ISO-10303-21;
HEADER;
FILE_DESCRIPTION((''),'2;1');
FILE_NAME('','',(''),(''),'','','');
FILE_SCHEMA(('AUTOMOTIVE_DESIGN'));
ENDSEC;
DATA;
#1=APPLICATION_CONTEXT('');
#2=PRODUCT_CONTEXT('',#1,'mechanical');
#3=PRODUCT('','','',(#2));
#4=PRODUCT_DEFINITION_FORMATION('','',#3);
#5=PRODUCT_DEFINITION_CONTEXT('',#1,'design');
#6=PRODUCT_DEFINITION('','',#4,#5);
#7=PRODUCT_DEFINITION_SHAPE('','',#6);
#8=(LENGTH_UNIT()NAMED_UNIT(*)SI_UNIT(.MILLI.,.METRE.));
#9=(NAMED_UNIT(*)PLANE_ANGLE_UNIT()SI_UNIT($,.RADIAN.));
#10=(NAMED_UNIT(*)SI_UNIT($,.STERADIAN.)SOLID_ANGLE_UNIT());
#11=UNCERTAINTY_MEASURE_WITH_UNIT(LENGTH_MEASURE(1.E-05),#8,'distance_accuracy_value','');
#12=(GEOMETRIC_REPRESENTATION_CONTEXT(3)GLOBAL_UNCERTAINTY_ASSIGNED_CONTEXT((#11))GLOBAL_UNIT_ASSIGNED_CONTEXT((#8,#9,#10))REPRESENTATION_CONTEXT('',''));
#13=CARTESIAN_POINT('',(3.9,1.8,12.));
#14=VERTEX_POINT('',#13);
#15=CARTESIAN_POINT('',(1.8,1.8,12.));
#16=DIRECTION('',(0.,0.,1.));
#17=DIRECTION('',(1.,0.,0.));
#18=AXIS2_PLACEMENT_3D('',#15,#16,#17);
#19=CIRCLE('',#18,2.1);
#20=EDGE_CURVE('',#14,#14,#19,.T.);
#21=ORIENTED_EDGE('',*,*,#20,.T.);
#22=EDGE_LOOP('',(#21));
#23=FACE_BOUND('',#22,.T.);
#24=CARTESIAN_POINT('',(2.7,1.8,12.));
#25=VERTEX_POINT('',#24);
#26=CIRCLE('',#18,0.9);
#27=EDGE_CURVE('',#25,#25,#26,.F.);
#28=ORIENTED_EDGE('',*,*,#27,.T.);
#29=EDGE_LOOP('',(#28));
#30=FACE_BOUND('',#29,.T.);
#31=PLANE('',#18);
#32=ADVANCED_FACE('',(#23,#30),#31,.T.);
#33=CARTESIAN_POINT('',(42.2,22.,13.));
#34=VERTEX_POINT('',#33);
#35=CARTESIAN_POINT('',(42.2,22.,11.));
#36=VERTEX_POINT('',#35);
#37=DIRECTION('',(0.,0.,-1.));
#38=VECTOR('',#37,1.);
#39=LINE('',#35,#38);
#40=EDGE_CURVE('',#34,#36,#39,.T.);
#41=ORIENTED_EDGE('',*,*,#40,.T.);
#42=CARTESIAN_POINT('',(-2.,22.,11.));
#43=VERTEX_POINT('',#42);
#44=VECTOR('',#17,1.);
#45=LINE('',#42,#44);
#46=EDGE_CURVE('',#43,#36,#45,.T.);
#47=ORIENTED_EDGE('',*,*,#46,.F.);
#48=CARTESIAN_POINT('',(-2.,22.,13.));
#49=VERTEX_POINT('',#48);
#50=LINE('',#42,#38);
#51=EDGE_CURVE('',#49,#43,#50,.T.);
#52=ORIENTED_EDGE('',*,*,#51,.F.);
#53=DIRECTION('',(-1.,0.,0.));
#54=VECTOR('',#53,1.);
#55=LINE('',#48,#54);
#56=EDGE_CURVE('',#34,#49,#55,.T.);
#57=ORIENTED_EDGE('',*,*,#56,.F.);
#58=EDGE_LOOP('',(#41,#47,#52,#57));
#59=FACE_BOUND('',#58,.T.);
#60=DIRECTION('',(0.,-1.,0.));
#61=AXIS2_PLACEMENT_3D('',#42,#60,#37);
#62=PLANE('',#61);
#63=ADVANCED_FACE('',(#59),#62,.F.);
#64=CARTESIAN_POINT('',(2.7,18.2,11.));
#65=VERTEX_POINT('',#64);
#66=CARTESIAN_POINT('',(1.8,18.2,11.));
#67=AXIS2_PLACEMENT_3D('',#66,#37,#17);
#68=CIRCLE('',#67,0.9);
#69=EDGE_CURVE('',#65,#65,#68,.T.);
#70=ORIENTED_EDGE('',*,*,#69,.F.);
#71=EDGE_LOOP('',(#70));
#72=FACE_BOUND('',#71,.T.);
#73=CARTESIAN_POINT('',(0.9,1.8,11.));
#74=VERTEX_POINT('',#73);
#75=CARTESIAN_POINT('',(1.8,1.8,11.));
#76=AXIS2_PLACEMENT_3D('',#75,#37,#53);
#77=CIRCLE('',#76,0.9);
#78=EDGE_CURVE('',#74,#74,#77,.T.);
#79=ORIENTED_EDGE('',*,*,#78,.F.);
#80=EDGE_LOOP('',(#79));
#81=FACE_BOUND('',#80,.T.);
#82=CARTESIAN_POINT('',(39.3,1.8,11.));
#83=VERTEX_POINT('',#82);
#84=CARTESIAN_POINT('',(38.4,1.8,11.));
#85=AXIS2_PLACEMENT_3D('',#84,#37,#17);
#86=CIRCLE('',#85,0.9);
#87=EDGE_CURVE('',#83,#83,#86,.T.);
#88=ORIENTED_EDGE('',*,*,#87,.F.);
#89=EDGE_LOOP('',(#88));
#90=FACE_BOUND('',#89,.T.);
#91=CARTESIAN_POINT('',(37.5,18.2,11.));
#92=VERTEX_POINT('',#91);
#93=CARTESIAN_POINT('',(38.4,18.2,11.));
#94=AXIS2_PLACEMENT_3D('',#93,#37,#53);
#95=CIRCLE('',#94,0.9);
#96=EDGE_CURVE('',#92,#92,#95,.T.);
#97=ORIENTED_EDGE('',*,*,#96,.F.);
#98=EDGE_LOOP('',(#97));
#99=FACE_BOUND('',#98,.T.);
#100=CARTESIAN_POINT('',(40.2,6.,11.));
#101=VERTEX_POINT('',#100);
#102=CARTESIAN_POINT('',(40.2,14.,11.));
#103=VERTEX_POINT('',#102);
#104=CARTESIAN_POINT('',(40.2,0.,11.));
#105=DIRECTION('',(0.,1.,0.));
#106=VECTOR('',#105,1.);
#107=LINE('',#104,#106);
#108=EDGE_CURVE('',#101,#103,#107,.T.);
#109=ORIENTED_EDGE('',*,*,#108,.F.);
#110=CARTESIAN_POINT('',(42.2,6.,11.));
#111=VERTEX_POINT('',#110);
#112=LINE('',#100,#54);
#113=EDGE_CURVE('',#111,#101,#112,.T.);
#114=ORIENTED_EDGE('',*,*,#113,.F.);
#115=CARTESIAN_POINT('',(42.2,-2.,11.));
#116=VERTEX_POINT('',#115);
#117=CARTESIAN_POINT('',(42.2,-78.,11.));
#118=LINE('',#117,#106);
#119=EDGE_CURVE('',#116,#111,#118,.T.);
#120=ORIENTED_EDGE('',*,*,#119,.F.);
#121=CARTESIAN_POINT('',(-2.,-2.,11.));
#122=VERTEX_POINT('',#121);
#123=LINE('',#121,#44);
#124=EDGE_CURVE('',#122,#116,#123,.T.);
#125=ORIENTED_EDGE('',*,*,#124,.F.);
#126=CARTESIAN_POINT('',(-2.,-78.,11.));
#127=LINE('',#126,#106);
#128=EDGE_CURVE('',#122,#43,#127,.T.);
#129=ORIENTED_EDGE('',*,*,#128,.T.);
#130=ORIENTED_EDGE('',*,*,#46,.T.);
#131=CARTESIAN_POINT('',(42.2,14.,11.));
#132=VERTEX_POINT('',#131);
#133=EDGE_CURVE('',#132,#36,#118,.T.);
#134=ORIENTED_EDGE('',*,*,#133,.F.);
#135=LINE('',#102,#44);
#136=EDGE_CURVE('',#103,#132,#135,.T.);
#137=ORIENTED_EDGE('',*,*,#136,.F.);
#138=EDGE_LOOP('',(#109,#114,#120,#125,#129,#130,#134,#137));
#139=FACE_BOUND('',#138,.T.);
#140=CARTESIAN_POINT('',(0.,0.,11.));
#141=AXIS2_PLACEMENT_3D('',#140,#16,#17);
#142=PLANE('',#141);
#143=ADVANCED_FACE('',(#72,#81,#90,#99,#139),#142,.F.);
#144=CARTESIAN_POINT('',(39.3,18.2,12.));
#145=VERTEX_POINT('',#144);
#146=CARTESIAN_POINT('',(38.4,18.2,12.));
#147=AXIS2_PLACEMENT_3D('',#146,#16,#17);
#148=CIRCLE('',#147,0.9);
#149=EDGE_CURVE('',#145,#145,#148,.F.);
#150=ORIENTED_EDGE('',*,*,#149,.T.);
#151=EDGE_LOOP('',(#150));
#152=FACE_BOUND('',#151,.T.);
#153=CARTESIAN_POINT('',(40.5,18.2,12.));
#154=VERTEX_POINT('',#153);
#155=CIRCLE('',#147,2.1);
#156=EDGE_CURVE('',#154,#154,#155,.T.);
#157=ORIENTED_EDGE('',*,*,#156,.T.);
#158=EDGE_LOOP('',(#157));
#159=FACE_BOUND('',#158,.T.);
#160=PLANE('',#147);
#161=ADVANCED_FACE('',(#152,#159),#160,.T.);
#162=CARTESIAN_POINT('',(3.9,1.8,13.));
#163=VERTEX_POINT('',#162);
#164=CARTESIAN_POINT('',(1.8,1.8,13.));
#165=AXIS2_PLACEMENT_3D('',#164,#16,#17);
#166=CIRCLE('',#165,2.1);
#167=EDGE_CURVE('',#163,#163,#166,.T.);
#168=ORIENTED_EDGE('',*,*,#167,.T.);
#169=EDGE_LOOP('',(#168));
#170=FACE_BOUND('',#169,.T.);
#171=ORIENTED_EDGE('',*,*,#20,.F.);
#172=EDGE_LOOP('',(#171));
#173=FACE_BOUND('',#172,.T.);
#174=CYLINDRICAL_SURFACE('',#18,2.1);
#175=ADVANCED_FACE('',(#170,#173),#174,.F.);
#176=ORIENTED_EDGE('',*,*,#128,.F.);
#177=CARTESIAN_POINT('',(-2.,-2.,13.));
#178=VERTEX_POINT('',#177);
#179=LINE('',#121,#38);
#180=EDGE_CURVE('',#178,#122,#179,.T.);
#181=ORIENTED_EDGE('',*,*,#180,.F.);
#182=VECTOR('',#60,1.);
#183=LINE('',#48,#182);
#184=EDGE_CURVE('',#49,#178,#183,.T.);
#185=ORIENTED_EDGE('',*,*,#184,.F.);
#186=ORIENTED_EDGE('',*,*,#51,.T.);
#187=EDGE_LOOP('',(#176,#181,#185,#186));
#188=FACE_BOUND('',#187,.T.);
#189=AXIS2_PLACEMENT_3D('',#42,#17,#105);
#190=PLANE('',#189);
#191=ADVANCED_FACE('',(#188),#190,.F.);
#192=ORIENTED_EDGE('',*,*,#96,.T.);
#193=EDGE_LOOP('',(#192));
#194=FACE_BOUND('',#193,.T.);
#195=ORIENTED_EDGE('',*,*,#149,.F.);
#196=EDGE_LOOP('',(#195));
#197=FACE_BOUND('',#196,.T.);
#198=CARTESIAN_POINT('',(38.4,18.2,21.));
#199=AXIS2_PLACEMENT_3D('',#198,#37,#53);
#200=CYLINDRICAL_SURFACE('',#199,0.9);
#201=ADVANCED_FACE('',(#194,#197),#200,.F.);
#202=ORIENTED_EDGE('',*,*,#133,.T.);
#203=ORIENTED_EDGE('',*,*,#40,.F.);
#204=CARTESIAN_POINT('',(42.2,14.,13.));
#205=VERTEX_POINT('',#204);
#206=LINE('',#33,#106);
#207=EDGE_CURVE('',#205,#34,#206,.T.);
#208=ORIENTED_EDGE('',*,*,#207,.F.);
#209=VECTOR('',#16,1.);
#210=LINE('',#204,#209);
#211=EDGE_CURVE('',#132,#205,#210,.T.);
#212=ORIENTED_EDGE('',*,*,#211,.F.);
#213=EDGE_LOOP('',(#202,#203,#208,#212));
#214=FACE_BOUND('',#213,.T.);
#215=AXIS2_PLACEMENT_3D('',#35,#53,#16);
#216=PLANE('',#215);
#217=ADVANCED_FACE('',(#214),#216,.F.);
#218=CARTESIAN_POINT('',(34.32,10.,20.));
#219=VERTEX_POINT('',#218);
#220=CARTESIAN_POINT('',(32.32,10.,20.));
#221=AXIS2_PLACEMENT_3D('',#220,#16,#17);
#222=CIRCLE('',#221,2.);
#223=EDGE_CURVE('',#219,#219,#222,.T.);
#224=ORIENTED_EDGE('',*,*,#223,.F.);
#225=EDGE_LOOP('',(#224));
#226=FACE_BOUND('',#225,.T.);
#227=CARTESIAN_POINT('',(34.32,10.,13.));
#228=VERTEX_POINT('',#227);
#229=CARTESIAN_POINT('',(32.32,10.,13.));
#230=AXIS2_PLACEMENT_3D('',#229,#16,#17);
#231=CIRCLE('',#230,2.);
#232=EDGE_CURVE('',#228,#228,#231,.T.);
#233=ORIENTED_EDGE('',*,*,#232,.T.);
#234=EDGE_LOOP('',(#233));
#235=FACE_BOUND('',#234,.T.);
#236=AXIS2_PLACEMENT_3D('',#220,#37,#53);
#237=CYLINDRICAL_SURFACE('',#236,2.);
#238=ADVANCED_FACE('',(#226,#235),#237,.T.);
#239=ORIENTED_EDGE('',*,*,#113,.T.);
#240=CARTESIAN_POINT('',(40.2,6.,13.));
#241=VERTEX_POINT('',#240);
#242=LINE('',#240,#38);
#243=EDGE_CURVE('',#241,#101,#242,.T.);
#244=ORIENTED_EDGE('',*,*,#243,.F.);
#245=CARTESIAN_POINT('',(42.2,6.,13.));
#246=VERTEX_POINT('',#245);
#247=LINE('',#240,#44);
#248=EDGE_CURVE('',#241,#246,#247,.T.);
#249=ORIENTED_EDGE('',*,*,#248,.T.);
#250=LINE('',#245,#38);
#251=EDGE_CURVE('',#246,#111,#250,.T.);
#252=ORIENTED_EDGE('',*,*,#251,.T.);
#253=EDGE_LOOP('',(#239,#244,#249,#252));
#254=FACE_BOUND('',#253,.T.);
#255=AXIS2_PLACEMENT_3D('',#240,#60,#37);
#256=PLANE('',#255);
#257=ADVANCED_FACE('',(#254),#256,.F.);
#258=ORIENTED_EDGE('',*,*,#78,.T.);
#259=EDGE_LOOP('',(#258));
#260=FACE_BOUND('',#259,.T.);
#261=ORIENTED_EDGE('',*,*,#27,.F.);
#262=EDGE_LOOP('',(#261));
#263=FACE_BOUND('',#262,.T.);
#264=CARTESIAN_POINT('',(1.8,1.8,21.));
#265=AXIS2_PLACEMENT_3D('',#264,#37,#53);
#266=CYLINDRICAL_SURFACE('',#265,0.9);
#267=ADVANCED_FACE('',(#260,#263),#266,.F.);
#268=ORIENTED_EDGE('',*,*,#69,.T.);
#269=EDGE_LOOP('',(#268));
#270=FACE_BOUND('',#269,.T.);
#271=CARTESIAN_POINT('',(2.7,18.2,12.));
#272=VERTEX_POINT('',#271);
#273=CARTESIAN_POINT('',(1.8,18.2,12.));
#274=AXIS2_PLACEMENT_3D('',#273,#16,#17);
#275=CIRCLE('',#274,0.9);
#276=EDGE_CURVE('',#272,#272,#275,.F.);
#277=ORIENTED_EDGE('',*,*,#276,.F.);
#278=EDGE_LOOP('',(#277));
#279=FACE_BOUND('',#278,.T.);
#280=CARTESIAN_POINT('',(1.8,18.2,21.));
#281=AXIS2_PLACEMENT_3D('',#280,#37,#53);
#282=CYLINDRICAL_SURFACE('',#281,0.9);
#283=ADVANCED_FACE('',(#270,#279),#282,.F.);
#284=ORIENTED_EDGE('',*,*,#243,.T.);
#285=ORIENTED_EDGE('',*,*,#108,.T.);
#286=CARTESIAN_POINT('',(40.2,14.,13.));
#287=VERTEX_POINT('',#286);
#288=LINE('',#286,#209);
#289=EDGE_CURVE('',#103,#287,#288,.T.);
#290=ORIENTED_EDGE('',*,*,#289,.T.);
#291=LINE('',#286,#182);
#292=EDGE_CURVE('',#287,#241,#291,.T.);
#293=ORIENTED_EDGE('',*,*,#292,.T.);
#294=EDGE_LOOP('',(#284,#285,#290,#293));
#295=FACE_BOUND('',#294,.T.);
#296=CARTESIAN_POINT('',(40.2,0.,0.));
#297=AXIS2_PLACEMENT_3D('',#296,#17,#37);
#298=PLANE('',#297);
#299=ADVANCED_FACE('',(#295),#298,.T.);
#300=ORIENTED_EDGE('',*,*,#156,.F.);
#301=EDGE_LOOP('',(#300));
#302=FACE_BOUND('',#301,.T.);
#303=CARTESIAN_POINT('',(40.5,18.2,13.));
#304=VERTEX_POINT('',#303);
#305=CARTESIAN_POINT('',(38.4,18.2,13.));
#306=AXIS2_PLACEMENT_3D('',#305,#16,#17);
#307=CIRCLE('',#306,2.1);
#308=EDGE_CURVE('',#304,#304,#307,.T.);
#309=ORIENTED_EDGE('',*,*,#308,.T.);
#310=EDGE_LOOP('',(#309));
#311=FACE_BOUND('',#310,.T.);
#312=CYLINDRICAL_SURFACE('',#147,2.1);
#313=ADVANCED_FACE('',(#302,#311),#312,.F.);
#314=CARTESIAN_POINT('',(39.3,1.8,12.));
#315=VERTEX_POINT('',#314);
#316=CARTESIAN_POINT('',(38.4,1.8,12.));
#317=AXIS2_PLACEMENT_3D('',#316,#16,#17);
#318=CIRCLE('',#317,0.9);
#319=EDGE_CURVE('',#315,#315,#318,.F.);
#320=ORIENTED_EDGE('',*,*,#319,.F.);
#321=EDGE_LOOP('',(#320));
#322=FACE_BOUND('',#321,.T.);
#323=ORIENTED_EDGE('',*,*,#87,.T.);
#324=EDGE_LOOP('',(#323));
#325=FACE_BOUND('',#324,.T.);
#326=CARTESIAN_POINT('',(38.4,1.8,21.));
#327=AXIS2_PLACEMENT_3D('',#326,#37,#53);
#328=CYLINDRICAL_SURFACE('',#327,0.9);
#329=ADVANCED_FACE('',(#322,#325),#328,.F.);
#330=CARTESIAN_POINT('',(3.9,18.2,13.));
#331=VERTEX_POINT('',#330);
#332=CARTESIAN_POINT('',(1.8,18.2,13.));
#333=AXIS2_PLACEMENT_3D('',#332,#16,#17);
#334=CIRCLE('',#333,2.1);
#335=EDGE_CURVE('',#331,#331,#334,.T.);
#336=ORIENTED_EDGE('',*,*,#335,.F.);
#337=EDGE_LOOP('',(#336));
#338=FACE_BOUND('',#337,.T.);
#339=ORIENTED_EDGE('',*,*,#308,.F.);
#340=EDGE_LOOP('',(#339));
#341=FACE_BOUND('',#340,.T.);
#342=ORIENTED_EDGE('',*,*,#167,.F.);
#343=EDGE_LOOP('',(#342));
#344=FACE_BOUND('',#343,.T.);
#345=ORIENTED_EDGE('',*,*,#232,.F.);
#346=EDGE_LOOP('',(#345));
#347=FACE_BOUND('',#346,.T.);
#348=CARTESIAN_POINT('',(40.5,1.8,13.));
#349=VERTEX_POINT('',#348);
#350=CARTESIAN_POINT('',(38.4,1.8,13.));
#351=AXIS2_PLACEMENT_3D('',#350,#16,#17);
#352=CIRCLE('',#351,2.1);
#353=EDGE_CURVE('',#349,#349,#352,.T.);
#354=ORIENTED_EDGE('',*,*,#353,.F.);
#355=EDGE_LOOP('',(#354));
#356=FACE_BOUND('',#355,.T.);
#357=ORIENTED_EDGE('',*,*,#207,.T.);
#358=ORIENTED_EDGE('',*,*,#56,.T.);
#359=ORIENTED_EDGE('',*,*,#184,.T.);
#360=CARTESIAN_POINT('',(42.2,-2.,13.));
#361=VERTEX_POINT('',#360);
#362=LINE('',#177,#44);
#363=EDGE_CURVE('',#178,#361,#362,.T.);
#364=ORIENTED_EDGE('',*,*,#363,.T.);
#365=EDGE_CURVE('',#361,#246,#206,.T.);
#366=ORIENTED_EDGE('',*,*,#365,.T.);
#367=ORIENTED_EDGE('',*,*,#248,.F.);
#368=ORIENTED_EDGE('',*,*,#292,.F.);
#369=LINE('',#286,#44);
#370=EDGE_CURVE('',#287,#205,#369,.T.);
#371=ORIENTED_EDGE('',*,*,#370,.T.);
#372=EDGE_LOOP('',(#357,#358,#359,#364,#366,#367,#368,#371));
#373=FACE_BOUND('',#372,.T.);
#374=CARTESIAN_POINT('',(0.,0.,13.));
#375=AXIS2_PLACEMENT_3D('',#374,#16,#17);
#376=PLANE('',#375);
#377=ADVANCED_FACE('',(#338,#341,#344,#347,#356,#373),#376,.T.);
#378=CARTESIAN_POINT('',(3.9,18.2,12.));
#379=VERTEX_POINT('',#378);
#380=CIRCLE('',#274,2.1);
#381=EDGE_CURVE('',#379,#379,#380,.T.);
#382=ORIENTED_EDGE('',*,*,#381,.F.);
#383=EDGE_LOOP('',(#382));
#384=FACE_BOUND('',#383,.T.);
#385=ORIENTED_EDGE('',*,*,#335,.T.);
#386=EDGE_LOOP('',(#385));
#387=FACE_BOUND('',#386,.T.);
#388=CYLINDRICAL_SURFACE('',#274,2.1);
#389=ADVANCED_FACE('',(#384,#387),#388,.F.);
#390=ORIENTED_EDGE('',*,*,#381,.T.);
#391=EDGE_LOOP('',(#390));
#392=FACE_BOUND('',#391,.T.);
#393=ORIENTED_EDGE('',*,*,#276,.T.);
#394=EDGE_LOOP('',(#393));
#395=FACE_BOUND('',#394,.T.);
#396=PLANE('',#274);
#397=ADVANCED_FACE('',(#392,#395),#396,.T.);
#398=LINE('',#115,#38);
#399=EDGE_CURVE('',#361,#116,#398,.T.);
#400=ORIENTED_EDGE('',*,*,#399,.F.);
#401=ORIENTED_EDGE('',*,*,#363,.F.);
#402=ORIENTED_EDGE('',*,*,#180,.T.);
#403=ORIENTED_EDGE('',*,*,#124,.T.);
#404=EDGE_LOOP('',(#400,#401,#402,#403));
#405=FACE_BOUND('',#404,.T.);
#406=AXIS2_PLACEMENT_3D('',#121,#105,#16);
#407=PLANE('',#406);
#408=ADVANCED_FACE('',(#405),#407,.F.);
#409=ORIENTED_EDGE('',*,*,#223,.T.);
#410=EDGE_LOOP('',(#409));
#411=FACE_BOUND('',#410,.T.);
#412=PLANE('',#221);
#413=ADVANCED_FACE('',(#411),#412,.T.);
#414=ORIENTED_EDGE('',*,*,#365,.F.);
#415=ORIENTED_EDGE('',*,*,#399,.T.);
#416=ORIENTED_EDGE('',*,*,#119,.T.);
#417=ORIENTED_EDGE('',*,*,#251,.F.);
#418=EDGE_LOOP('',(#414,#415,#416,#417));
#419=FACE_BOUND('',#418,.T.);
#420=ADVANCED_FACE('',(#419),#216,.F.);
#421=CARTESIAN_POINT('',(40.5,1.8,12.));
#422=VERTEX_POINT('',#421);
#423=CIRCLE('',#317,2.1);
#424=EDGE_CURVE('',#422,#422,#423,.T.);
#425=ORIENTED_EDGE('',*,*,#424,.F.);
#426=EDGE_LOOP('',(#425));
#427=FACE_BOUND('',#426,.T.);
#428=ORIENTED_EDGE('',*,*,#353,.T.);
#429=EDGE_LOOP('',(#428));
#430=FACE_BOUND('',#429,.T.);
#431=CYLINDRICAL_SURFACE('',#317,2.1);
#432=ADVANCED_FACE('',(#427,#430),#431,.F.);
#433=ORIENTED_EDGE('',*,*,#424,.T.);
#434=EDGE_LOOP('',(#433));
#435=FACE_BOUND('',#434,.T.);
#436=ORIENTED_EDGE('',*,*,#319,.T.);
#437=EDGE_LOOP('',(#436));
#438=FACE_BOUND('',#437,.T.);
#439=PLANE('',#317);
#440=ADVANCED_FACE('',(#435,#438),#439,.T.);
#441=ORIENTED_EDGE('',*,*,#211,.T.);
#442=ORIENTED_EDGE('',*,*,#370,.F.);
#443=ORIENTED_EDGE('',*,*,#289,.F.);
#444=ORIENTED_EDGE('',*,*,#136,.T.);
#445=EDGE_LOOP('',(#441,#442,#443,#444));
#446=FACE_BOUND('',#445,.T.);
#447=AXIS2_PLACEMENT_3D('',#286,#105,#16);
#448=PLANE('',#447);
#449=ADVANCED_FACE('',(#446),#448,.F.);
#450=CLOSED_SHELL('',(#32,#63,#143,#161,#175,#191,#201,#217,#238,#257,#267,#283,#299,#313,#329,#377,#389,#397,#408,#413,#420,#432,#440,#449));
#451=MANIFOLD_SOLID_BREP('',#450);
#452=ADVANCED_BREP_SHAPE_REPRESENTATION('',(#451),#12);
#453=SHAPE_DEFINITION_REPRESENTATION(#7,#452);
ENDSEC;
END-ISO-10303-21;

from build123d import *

# Parameters (mm, degrees)
SKETCH1_W           = 44.2
SKETCH1_H           = 24
SKETCH1_W_2         = 40.2
SKETCH1_H_2         = 20
BOSS_EXTRUDE1_DEPTH = 11
SKETCH2_W           = 44.2
SKETCH2_H           = 24
BOSS_EXTRUDE2_DEPTH = 2
SKETCH3_W           = 11
SKETCH3_H           = 8
CUT_EXTRUDE1_DEPTH  = 2
SKETCH4_R           = 2
BOSS_EXTRUDE3_DEPTH = 7
SKETCH5_R           = 0.9
CUT_EXTRUDE2_DEPTH  = 10
SKETCH6_W           = 44.2
SKETCH6_H           = 11
CUT_EXTRUDE3_DEPTH  = 100
SKETCH7_R           = 2.1
CUT_EXTRUDE4_DEPTH  = 1


with BuildPart() as part:
    # Sketch1 → Boss-Extrude1 (new body)
    with BuildSketch(Plane.XY):
        with Locations((20.1, 10)):
            Rectangle(SKETCH1_W, SKETCH1_H)
        with Locations((20.1, 10)):
            Rectangle(SKETCH1_W_2, SKETCH1_H_2, mode=Mode.SUBTRACT)
    extrude(amount=BOSS_EXTRUDE1_DEPTH)

    # Sketch2 → Boss-Extrude2 (add)
    with BuildSketch(Plane.XY.offset(11)):
        with Locations((20.1, 10)):
            Rectangle(SKETCH2_W, SKETCH2_H)
    extrude(amount=BOSS_EXTRUDE2_DEPTH)

    # Sketch3 → Cut-Extrude1 (cut)
    with BuildSketch(Plane(origin=(42.2, 0, 0), x_dir=(0, 0, -1), z_dir=(1, 0, 0))):
        with Locations((-7.5, 10)):
            Rectangle(SKETCH3_W, SKETCH3_H)
    extrude(amount=-CUT_EXTRUDE1_DEPTH, mode=Mode.SUBTRACT)

    # Sketch4 → Boss-Extrude3 (add)
    with BuildSketch(Plane.XY.offset(13)):
        with Locations((32.32, 10)):
            Circle(SKETCH4_R)
    extrude(amount=BOSS_EXTRUDE3_DEPTH)

    # Sketch5 → Cut-Extrude2 (cut)
    with BuildSketch(Plane(origin=(0, 0, 11), x_dir=(-1, 0, 0), z_dir=(0, 0, -1))):
        with Locations((-38.4, 18.2)):
            Circle(SKETCH5_R)
        with Locations(Location((-1.8, 18.2, 0), (0, 0, 180))):
            Circle(SKETCH5_R)
        with Locations((-1.8, 1.8)):
            Circle(SKETCH5_R)
        with Locations(Location((-38.4, 1.8, 0), (0, 0, 180))):
            Circle(SKETCH5_R)
    extrude(amount=-CUT_EXTRUDE2_DEPTH, mode=Mode.SUBTRACT)

    # Sketch6 → Cut-Extrude3 (cut)
    with BuildSketch(Plane(origin=(0, 22, 0), x_dir=(1, 0, 0), z_dir=(0, 1, 0))):
        with Locations((20.1, -5.5)):
            Rectangle(SKETCH6_W, SKETCH6_H)
    extrude(amount=-CUT_EXTRUDE3_DEPTH, mode=Mode.SUBTRACT)

    # Sketch7 → Cut-Extrude4 (cut)
    with BuildSketch(Plane.XY.offset(13)):
        with Locations((1.8, 18.2)):
            Circle(SKETCH7_R)
        with Locations((38.4, 18.2)):
            Circle(SKETCH7_R)
        with Locations((38.4, 1.8)):
            Circle(SKETCH7_R)
        with Locations((1.8, 1.8)):
            Circle(SKETCH7_R)
    extrude(amount=-CUT_EXTRUDE4_DEPTH, mode=Mode.SUBTRACT)


solid = part.part
